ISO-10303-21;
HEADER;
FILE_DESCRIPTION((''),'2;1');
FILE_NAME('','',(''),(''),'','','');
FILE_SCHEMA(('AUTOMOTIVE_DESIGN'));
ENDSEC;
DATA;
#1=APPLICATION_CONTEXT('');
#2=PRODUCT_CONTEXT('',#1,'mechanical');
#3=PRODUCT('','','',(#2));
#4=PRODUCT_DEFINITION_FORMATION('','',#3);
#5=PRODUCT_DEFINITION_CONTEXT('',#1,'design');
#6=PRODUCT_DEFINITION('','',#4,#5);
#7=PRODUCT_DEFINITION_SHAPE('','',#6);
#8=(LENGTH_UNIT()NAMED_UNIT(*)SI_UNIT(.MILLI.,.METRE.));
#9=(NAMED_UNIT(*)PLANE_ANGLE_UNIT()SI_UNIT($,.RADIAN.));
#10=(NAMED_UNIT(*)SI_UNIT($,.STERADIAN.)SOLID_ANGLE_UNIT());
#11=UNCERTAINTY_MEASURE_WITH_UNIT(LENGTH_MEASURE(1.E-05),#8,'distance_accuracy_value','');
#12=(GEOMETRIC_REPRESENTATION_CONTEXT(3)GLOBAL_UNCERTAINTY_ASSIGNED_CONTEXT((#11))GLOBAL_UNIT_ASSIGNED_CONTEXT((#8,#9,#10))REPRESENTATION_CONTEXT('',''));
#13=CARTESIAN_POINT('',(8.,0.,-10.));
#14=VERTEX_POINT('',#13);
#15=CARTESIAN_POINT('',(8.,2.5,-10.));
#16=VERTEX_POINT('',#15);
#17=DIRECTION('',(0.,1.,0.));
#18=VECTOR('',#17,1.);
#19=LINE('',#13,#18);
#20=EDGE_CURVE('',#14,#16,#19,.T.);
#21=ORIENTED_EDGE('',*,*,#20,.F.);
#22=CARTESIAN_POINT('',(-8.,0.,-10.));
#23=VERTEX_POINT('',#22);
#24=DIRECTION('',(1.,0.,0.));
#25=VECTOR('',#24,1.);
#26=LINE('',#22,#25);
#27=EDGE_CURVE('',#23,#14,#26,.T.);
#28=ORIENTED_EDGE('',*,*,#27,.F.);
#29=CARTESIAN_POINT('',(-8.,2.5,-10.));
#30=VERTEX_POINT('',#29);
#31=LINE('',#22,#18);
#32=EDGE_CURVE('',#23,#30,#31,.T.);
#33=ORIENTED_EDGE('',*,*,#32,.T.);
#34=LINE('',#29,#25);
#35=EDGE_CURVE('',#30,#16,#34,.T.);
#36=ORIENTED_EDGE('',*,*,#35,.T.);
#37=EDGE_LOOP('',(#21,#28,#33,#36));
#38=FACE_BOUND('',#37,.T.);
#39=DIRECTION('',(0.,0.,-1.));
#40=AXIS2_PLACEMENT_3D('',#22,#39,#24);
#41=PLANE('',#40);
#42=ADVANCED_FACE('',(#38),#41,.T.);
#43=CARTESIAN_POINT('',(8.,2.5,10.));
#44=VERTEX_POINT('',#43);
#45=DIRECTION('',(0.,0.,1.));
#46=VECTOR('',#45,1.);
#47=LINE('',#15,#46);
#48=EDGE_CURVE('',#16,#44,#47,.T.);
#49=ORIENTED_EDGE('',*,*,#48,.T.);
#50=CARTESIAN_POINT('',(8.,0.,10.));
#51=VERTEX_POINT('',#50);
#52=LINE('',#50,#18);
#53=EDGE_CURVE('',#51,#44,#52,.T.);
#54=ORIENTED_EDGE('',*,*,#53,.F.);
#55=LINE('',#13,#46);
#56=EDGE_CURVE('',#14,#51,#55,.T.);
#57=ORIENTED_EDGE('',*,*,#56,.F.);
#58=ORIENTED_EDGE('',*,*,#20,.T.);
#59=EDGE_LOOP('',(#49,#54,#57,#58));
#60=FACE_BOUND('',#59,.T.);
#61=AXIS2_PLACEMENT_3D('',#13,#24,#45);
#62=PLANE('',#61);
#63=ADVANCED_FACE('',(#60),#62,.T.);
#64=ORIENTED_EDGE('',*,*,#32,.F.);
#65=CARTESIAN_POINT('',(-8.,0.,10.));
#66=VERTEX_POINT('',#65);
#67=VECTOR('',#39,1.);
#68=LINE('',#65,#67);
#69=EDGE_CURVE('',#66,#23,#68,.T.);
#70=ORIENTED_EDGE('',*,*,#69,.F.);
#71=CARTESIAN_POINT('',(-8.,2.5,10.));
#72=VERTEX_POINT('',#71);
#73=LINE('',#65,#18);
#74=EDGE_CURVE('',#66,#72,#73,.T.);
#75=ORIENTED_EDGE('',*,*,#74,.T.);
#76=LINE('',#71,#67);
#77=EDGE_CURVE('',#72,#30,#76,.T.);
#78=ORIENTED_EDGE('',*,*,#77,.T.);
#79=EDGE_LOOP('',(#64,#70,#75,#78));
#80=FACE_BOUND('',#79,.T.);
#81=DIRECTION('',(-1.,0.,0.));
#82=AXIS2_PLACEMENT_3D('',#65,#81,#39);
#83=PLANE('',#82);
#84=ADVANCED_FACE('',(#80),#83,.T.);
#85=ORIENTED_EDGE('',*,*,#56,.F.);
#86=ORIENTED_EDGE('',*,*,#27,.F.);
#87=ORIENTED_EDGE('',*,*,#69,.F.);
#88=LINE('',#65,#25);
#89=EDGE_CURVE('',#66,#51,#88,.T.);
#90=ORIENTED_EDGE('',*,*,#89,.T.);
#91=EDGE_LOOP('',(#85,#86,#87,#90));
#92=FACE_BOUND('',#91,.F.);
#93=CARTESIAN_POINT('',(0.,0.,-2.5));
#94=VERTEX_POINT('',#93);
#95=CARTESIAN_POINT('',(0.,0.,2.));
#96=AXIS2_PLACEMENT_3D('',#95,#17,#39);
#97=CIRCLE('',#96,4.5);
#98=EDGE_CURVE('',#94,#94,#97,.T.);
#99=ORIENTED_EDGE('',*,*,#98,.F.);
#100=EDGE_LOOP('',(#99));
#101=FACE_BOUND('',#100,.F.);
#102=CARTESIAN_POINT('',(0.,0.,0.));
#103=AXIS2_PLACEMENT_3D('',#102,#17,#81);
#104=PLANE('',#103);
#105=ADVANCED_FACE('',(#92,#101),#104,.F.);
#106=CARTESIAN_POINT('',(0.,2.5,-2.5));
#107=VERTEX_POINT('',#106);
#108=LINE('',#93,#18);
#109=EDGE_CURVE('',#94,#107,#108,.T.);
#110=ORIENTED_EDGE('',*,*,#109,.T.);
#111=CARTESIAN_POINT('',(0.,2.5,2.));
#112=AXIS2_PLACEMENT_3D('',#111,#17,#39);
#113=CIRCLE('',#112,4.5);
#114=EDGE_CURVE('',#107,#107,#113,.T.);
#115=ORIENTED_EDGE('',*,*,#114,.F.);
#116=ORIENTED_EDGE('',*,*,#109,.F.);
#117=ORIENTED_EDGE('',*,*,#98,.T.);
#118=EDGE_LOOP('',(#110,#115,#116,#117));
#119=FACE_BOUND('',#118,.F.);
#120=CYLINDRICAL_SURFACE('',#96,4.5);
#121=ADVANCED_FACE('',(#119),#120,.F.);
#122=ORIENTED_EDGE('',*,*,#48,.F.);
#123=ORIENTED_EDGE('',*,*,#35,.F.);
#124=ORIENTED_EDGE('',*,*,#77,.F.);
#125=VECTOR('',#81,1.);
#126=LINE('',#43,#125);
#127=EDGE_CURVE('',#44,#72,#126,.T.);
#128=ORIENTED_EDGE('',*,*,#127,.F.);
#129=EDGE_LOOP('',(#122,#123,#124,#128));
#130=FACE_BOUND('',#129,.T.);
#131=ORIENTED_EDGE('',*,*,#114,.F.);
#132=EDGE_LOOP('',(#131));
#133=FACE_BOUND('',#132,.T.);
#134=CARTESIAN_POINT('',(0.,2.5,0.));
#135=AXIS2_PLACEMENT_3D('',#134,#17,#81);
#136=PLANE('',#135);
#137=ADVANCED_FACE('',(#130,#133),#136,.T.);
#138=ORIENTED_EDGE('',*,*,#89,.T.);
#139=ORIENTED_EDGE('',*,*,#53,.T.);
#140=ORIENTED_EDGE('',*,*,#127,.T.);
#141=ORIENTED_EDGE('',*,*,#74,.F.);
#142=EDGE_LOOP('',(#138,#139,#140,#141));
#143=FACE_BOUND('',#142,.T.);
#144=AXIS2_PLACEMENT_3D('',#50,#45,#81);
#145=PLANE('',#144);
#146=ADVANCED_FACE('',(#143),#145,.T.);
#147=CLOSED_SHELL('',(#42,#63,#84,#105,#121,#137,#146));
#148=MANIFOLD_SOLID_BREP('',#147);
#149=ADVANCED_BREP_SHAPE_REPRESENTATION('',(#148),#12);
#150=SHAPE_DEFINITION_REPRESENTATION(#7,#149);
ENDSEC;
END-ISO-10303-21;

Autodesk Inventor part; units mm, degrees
ref_plane "YZ Plane" through (0, 0, 0) normal (1, 0, 0) x (0, 1, 0)
ref_plane "XZ Plane" through (0, 0, 0) normal (0, 1, 0) x (-1, 0, 0)
ref_plane "XY Plane" through (0, 0, 0) normal (0, 0, 1) x (1, 0, 0)
sketch "Sketch1" plane through (0, 0, 0) normal (0, 1, 0) x (-1, 0, 0)
  line L0 (-8, 10) -> (8, 10)
  line L1 (8, 10) -> (8, -10)
  line L2 (8, -10) -> (-8, -10)
  line L3 (-8, -10) -> (-8, 10)
  line L4 (-8, 10) -> (8, -10) construction
  line L5 (8, 10) -> (-8, -10) construction
  line L6 (0, 10) -> (0, 2)
  point P0 (0, 0)
  point P1 (0, 0)
  dimension "d0" = 16
  dimension "d1" = 20
  dimension "d10" = 8
extrude "Plate1" add sketch "Sketch1" along normal blind 2.5
hole "Hole2" at (0, 0, 2) direction (0, 1, 0) diameter 9 end through all clearance for "Countersunk Flat Head Screw ISO 2009/7046" size "M8" standard "ISO"
equation "\"d16\" = Thickness"
equation "\"d2\" = Thickness"
equation "\"BendRadius\" = Thickness"
equation "\"BendReliefWidth\" = Thickness"
equation "\"BendReliefDepth\" = 0.5 * Thickness"
equation "\"MinimumRemnant\" = 2 * Thickness"
equation "\"TransitionRadius\" = BendRadius"
equation "\"JacobiRadiusSize\" = BendRadius"
equation "\"GapSize\" = Thickness"
equation "\"Thickness\" = 2.5"
properties part number "chapa3"
